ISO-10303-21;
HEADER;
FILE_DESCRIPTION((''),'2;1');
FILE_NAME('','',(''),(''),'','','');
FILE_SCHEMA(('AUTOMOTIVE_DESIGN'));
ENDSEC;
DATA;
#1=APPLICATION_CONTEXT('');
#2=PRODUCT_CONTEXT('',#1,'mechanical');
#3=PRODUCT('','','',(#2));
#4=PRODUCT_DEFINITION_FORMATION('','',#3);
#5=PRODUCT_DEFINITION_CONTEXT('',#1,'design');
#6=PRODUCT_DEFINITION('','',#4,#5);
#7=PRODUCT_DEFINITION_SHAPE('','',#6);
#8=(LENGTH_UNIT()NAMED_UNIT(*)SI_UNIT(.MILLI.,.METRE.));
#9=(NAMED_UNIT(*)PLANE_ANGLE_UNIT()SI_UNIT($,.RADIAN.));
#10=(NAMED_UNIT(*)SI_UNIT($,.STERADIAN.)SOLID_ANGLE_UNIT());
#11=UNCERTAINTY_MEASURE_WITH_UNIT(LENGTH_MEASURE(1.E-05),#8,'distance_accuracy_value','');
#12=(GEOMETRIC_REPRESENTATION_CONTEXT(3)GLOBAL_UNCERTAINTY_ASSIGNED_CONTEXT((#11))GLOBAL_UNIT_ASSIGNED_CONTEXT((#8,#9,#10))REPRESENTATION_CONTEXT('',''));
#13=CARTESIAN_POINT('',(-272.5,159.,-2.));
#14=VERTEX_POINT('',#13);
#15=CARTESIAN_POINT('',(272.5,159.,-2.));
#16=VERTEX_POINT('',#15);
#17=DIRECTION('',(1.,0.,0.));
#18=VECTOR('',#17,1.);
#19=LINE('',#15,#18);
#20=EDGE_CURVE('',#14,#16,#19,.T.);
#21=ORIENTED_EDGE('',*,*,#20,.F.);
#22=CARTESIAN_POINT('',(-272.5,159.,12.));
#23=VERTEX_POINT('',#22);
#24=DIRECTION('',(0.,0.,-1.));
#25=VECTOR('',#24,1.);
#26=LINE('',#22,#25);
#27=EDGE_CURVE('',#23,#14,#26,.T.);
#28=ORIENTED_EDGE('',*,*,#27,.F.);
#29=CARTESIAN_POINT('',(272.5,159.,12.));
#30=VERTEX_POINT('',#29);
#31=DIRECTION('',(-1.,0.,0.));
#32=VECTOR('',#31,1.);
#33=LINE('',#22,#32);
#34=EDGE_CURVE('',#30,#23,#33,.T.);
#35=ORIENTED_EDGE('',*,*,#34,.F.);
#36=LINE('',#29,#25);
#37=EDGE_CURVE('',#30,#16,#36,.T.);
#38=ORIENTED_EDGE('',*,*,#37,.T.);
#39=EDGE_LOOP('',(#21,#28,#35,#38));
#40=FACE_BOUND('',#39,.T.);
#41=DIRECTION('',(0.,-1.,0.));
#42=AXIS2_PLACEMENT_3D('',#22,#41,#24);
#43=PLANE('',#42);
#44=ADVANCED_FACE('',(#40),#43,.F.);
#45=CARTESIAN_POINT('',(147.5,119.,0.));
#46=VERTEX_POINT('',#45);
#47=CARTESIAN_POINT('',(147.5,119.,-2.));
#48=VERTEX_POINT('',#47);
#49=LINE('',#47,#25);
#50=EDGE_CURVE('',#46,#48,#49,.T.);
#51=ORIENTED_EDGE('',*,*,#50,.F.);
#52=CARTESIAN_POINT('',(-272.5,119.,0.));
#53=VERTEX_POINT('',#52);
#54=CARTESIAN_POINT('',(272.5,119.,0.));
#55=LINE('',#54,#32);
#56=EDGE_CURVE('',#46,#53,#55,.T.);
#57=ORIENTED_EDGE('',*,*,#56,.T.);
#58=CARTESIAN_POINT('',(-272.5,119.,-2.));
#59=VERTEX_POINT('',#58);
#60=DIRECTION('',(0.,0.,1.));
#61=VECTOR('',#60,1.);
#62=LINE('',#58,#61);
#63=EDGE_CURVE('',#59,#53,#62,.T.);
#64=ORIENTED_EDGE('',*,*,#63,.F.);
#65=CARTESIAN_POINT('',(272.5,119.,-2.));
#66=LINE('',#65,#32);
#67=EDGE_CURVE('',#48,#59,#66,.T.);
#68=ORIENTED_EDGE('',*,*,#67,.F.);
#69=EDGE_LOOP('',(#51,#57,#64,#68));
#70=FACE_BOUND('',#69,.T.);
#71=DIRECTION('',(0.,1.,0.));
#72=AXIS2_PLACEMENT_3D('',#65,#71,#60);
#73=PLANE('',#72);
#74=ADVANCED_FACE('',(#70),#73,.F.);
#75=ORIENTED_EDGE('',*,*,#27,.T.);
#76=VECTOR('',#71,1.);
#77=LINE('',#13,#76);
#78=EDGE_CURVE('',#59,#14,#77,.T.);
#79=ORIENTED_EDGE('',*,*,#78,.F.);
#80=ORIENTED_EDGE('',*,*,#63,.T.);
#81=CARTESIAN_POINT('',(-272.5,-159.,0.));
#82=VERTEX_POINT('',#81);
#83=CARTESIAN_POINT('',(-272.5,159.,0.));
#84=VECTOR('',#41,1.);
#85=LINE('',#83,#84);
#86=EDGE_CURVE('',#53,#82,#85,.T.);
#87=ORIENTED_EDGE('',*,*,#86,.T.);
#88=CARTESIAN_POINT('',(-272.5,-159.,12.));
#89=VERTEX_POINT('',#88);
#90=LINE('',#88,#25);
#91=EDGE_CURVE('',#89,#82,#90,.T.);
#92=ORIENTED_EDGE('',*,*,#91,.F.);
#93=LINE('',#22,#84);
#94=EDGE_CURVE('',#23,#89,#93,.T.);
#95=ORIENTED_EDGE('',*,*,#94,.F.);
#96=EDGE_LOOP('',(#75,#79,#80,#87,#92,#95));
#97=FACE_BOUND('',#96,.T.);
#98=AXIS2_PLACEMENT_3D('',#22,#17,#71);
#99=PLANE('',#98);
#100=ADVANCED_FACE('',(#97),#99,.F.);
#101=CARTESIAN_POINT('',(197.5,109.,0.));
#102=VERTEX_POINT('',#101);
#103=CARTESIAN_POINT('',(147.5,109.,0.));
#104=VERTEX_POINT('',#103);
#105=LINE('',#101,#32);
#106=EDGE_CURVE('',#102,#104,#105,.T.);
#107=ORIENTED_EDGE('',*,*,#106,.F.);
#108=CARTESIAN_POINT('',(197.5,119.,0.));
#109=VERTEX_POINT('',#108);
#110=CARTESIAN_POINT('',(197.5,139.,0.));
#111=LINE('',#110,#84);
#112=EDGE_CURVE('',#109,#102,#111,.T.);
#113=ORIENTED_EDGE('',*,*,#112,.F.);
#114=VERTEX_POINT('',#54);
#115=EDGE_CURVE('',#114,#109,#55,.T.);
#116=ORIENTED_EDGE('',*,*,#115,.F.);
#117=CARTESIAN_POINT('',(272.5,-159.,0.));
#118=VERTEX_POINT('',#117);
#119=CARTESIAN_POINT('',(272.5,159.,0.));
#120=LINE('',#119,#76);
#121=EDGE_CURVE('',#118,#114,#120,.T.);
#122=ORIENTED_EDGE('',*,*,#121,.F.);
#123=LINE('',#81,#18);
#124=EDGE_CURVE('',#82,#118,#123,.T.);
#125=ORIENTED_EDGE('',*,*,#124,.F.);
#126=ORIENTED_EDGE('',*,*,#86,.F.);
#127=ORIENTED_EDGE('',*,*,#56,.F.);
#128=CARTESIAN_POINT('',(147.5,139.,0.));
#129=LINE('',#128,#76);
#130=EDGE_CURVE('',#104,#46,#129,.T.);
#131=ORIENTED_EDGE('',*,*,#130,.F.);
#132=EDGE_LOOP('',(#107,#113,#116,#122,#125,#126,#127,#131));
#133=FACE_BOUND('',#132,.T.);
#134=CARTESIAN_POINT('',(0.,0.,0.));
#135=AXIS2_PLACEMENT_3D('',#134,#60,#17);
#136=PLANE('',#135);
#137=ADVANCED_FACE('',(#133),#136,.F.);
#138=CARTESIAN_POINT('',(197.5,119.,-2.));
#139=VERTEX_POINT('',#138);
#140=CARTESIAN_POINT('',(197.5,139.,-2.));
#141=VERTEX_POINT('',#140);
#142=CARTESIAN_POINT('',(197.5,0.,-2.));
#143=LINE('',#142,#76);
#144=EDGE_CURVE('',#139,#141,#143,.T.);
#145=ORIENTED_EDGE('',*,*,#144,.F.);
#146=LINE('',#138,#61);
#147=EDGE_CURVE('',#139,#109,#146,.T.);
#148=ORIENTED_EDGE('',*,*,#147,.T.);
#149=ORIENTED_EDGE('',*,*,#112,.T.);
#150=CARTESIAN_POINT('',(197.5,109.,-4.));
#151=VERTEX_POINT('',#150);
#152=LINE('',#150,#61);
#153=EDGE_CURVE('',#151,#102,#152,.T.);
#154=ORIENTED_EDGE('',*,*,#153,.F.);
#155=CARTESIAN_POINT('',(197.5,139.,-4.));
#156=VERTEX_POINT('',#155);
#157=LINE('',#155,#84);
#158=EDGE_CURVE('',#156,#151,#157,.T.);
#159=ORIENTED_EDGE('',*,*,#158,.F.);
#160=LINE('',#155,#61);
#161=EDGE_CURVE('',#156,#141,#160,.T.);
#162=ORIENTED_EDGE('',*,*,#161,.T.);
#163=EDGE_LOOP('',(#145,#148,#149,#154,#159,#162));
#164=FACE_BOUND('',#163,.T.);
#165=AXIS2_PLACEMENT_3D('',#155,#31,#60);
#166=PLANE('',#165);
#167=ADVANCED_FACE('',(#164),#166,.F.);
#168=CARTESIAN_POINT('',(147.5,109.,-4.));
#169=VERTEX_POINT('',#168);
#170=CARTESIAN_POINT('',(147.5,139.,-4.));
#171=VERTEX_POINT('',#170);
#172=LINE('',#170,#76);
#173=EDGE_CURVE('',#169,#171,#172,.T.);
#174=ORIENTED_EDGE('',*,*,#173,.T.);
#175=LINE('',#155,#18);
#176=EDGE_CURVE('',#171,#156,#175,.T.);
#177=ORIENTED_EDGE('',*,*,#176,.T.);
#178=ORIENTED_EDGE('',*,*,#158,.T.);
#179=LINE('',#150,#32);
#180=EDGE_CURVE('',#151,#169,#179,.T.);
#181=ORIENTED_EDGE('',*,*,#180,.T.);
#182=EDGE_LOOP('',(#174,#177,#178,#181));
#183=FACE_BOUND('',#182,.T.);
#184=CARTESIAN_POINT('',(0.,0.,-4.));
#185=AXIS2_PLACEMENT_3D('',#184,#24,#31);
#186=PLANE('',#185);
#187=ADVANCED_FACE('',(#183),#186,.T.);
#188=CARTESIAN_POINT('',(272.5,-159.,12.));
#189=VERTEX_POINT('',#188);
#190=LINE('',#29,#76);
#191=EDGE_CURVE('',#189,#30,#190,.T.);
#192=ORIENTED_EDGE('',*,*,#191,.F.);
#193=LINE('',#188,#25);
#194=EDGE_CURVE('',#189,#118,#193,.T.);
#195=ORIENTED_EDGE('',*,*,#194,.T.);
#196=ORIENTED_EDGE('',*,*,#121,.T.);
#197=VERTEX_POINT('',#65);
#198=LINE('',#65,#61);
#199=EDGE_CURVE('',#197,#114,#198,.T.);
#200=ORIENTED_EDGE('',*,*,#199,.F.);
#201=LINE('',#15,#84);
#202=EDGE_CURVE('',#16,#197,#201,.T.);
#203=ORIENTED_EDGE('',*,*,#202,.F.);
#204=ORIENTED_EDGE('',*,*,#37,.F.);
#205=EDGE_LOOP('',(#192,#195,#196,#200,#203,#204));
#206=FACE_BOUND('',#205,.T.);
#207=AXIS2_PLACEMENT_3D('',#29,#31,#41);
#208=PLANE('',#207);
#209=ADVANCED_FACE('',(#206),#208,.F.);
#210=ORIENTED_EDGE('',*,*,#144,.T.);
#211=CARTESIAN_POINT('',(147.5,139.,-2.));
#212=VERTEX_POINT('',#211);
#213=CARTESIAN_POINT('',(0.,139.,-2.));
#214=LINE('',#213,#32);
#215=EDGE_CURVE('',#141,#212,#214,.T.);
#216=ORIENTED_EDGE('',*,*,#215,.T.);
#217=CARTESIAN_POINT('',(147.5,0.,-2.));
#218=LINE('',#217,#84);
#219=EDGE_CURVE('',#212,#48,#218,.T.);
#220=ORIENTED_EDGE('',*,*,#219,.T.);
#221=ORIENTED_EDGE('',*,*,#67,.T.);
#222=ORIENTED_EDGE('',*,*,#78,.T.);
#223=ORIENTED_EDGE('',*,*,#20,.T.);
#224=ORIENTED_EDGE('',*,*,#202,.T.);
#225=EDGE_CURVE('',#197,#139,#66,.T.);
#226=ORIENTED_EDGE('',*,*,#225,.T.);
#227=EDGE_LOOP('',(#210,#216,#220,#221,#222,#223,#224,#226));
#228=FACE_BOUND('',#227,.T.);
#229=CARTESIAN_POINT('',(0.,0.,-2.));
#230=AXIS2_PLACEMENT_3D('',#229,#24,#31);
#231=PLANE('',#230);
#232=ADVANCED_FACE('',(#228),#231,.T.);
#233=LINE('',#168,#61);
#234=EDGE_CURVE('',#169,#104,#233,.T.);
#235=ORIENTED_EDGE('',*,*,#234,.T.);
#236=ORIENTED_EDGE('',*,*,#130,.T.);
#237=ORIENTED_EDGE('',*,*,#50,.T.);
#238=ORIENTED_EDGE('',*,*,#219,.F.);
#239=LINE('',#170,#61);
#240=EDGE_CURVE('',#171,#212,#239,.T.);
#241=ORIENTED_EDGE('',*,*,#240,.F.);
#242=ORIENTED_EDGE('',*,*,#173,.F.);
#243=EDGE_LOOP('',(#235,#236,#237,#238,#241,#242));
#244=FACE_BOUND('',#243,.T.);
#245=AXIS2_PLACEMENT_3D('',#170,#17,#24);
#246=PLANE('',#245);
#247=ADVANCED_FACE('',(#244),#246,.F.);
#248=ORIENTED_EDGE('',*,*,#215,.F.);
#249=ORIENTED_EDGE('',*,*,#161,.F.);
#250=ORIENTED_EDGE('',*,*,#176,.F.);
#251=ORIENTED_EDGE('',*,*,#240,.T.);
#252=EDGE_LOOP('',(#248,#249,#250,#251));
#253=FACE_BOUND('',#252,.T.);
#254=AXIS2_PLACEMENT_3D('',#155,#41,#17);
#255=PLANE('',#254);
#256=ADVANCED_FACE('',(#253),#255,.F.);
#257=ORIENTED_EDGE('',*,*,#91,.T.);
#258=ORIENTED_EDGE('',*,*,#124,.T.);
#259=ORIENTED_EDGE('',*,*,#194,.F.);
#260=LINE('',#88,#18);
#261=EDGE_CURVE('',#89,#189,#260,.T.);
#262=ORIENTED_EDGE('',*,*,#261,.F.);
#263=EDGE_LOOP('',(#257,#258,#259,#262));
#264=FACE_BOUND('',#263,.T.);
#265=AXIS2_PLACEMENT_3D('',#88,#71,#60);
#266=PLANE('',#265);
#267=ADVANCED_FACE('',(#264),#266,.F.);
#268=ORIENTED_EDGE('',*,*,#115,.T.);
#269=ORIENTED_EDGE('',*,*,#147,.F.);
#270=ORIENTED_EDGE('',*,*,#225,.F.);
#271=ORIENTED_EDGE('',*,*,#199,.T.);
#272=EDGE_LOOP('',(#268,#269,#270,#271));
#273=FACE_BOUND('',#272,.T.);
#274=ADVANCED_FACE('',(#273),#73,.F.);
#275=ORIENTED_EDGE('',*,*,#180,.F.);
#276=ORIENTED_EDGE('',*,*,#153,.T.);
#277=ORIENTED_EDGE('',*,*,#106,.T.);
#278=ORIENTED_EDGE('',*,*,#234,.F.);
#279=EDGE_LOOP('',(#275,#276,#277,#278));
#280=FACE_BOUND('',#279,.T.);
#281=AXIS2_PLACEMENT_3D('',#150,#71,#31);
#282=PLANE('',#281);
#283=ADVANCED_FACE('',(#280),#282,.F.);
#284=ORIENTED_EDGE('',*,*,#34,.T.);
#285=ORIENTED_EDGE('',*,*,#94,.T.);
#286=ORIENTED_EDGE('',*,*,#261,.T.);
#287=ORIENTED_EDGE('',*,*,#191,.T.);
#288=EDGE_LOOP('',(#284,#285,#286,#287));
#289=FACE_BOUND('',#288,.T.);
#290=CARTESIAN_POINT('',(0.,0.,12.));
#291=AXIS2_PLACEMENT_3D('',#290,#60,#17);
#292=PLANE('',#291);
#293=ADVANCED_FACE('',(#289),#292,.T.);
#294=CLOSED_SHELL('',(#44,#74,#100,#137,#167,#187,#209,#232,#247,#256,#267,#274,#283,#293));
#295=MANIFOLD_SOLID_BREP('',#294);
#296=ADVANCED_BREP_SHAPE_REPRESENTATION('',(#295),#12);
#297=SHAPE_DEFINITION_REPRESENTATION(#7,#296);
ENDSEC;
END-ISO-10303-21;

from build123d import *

# Parameters (mm, degrees)
ESQUISSE1_W        = 545
ESQUISSE1_H        = 318
BOSS_EXTRU_1_DEPTH = 12
ESQUISSE2_W        = 545
ESQUISSE2_H        = 40
BOSS_EXTRU_2_DEPTH = 2
ESQUISSE3_W        = 50
ESQUISSE3_H        = 30
BOSS_EXTRU_3_DEPTH = 4


with BuildPart() as part:
    # Esquisse1 → Boss.-Extru.1 (new body)
    with BuildSketch(Plane.XY):
        Rectangle(ESQUISSE1_W, ESQUISSE1_H)
    extrude(amount=BOSS_EXTRU_1_DEPTH)

    # Esquisse2 → Boss.-Extru.2 (add)
    with BuildSketch(Plane(origin=(0, 0, 0), x_dir=(-1, 0, 0), z_dir=(0, 0, -1))):
        with Locations((0, 139)):
            Rectangle(ESQUISSE2_W, ESQUISSE2_H)
    extrude(amount=BOSS_EXTRU_2_DEPTH)

    # Esquisse3 → Boss.-Extru.3 (add)
    with BuildSketch(Plane(origin=(0, 0, 0), x_dir=(-1, 0, 0), z_dir=(0, 0, -1))):
        with Locations((-172.5, 124)):
            Rectangle(ESQUISSE3_W, ESQUISSE3_H)
    extrude(amount=BOSS_EXTRU_3_DEPTH)


solid = part.part
